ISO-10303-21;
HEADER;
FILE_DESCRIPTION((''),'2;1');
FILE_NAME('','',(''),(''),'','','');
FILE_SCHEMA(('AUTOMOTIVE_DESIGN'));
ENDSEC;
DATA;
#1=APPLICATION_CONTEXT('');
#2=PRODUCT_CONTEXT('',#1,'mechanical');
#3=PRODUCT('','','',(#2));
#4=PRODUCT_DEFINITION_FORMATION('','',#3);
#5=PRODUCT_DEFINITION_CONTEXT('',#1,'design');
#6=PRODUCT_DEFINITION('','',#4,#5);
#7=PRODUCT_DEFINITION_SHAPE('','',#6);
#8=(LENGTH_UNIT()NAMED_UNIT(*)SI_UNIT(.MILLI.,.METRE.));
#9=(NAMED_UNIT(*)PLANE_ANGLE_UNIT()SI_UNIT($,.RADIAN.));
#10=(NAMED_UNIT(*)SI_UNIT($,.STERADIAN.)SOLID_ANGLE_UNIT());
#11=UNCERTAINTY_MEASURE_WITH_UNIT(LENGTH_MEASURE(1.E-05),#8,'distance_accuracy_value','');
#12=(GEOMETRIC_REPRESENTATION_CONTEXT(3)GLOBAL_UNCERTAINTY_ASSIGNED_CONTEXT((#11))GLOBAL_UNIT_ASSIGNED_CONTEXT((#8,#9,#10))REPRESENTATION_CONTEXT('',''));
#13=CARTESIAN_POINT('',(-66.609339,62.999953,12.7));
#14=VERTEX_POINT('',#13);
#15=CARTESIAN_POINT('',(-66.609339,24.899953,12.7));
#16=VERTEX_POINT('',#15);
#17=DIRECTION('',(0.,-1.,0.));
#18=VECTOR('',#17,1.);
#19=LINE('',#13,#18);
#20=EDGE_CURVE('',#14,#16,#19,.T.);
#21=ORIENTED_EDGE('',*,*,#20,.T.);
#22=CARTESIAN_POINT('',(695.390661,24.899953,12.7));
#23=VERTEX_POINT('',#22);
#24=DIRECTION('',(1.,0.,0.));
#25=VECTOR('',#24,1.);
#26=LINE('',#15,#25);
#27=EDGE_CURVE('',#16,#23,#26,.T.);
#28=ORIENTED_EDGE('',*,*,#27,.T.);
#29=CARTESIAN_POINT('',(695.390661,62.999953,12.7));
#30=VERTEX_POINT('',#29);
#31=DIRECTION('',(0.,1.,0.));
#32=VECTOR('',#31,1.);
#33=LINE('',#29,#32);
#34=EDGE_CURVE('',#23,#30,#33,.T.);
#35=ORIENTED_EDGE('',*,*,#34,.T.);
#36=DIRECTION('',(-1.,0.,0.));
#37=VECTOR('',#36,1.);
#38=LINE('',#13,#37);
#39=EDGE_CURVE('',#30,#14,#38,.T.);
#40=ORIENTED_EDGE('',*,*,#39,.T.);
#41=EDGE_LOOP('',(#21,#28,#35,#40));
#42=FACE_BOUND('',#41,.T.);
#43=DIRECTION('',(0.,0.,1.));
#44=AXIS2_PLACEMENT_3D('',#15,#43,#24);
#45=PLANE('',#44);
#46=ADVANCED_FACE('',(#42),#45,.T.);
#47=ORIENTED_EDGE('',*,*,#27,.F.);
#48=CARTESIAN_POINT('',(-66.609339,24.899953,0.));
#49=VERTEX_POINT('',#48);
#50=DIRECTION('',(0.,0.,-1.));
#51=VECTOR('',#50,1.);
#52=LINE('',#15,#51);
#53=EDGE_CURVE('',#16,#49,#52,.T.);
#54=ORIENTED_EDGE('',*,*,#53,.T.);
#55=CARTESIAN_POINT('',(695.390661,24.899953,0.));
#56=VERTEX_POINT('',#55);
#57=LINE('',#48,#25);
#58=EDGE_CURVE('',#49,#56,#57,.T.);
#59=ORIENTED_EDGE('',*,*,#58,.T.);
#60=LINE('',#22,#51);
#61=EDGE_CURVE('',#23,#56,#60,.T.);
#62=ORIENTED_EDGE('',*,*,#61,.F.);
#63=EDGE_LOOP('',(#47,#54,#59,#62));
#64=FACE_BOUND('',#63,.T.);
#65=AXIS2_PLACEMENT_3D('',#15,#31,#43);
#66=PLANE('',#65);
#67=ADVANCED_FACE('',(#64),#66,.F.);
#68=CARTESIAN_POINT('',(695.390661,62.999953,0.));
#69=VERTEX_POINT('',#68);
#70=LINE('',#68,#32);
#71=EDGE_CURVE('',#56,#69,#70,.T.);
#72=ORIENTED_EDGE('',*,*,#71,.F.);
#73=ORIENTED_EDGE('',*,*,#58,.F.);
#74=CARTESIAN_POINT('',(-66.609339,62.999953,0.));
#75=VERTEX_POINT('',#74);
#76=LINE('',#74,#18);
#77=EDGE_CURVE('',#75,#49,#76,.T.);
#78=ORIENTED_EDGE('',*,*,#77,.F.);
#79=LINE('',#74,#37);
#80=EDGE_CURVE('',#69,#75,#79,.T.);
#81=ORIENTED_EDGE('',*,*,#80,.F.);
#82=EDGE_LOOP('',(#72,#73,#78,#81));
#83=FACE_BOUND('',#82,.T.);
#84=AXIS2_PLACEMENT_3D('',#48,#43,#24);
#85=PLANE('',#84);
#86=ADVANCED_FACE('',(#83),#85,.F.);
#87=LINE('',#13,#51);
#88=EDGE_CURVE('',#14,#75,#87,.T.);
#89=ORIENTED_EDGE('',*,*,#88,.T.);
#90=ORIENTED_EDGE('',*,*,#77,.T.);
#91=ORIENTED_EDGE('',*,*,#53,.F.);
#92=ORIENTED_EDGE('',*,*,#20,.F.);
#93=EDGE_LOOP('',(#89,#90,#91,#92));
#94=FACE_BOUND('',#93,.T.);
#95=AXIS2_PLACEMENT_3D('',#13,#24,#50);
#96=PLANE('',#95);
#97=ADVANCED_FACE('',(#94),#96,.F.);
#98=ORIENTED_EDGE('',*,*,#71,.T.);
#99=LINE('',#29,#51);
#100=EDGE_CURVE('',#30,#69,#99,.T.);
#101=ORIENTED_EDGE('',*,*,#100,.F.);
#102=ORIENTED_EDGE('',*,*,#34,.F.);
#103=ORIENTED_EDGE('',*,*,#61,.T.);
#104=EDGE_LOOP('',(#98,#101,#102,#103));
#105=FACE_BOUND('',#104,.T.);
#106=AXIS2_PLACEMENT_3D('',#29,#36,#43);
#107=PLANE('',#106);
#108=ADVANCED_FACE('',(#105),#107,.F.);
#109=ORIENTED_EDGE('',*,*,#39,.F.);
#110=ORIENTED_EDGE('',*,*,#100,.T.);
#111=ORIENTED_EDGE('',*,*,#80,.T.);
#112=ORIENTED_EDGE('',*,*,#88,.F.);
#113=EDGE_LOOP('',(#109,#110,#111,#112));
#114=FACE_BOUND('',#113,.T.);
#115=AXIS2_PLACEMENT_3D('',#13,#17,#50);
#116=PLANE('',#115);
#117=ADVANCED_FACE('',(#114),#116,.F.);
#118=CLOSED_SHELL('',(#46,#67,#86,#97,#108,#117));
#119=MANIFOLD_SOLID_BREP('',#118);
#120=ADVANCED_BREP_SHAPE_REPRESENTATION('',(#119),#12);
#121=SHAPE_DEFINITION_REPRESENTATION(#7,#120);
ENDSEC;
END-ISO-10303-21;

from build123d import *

# Parameters (mm, degrees)
SKETCH1_W           = 762
SKETCH1_H           = 38.1
BOSS_EXTRUDE1_DEPTH = 12.7


with BuildPart() as part:
    # Sketch1 → Boss-Extrude1 (new body)
    with BuildSketch(Plane.XY):
        with Locations((314.390660814, 43.949953446)):
            Rectangle(SKETCH1_W, SKETCH1_H)
    extrude(amount=BOSS_EXTRUDE1_DEPTH)


solid = part.part
